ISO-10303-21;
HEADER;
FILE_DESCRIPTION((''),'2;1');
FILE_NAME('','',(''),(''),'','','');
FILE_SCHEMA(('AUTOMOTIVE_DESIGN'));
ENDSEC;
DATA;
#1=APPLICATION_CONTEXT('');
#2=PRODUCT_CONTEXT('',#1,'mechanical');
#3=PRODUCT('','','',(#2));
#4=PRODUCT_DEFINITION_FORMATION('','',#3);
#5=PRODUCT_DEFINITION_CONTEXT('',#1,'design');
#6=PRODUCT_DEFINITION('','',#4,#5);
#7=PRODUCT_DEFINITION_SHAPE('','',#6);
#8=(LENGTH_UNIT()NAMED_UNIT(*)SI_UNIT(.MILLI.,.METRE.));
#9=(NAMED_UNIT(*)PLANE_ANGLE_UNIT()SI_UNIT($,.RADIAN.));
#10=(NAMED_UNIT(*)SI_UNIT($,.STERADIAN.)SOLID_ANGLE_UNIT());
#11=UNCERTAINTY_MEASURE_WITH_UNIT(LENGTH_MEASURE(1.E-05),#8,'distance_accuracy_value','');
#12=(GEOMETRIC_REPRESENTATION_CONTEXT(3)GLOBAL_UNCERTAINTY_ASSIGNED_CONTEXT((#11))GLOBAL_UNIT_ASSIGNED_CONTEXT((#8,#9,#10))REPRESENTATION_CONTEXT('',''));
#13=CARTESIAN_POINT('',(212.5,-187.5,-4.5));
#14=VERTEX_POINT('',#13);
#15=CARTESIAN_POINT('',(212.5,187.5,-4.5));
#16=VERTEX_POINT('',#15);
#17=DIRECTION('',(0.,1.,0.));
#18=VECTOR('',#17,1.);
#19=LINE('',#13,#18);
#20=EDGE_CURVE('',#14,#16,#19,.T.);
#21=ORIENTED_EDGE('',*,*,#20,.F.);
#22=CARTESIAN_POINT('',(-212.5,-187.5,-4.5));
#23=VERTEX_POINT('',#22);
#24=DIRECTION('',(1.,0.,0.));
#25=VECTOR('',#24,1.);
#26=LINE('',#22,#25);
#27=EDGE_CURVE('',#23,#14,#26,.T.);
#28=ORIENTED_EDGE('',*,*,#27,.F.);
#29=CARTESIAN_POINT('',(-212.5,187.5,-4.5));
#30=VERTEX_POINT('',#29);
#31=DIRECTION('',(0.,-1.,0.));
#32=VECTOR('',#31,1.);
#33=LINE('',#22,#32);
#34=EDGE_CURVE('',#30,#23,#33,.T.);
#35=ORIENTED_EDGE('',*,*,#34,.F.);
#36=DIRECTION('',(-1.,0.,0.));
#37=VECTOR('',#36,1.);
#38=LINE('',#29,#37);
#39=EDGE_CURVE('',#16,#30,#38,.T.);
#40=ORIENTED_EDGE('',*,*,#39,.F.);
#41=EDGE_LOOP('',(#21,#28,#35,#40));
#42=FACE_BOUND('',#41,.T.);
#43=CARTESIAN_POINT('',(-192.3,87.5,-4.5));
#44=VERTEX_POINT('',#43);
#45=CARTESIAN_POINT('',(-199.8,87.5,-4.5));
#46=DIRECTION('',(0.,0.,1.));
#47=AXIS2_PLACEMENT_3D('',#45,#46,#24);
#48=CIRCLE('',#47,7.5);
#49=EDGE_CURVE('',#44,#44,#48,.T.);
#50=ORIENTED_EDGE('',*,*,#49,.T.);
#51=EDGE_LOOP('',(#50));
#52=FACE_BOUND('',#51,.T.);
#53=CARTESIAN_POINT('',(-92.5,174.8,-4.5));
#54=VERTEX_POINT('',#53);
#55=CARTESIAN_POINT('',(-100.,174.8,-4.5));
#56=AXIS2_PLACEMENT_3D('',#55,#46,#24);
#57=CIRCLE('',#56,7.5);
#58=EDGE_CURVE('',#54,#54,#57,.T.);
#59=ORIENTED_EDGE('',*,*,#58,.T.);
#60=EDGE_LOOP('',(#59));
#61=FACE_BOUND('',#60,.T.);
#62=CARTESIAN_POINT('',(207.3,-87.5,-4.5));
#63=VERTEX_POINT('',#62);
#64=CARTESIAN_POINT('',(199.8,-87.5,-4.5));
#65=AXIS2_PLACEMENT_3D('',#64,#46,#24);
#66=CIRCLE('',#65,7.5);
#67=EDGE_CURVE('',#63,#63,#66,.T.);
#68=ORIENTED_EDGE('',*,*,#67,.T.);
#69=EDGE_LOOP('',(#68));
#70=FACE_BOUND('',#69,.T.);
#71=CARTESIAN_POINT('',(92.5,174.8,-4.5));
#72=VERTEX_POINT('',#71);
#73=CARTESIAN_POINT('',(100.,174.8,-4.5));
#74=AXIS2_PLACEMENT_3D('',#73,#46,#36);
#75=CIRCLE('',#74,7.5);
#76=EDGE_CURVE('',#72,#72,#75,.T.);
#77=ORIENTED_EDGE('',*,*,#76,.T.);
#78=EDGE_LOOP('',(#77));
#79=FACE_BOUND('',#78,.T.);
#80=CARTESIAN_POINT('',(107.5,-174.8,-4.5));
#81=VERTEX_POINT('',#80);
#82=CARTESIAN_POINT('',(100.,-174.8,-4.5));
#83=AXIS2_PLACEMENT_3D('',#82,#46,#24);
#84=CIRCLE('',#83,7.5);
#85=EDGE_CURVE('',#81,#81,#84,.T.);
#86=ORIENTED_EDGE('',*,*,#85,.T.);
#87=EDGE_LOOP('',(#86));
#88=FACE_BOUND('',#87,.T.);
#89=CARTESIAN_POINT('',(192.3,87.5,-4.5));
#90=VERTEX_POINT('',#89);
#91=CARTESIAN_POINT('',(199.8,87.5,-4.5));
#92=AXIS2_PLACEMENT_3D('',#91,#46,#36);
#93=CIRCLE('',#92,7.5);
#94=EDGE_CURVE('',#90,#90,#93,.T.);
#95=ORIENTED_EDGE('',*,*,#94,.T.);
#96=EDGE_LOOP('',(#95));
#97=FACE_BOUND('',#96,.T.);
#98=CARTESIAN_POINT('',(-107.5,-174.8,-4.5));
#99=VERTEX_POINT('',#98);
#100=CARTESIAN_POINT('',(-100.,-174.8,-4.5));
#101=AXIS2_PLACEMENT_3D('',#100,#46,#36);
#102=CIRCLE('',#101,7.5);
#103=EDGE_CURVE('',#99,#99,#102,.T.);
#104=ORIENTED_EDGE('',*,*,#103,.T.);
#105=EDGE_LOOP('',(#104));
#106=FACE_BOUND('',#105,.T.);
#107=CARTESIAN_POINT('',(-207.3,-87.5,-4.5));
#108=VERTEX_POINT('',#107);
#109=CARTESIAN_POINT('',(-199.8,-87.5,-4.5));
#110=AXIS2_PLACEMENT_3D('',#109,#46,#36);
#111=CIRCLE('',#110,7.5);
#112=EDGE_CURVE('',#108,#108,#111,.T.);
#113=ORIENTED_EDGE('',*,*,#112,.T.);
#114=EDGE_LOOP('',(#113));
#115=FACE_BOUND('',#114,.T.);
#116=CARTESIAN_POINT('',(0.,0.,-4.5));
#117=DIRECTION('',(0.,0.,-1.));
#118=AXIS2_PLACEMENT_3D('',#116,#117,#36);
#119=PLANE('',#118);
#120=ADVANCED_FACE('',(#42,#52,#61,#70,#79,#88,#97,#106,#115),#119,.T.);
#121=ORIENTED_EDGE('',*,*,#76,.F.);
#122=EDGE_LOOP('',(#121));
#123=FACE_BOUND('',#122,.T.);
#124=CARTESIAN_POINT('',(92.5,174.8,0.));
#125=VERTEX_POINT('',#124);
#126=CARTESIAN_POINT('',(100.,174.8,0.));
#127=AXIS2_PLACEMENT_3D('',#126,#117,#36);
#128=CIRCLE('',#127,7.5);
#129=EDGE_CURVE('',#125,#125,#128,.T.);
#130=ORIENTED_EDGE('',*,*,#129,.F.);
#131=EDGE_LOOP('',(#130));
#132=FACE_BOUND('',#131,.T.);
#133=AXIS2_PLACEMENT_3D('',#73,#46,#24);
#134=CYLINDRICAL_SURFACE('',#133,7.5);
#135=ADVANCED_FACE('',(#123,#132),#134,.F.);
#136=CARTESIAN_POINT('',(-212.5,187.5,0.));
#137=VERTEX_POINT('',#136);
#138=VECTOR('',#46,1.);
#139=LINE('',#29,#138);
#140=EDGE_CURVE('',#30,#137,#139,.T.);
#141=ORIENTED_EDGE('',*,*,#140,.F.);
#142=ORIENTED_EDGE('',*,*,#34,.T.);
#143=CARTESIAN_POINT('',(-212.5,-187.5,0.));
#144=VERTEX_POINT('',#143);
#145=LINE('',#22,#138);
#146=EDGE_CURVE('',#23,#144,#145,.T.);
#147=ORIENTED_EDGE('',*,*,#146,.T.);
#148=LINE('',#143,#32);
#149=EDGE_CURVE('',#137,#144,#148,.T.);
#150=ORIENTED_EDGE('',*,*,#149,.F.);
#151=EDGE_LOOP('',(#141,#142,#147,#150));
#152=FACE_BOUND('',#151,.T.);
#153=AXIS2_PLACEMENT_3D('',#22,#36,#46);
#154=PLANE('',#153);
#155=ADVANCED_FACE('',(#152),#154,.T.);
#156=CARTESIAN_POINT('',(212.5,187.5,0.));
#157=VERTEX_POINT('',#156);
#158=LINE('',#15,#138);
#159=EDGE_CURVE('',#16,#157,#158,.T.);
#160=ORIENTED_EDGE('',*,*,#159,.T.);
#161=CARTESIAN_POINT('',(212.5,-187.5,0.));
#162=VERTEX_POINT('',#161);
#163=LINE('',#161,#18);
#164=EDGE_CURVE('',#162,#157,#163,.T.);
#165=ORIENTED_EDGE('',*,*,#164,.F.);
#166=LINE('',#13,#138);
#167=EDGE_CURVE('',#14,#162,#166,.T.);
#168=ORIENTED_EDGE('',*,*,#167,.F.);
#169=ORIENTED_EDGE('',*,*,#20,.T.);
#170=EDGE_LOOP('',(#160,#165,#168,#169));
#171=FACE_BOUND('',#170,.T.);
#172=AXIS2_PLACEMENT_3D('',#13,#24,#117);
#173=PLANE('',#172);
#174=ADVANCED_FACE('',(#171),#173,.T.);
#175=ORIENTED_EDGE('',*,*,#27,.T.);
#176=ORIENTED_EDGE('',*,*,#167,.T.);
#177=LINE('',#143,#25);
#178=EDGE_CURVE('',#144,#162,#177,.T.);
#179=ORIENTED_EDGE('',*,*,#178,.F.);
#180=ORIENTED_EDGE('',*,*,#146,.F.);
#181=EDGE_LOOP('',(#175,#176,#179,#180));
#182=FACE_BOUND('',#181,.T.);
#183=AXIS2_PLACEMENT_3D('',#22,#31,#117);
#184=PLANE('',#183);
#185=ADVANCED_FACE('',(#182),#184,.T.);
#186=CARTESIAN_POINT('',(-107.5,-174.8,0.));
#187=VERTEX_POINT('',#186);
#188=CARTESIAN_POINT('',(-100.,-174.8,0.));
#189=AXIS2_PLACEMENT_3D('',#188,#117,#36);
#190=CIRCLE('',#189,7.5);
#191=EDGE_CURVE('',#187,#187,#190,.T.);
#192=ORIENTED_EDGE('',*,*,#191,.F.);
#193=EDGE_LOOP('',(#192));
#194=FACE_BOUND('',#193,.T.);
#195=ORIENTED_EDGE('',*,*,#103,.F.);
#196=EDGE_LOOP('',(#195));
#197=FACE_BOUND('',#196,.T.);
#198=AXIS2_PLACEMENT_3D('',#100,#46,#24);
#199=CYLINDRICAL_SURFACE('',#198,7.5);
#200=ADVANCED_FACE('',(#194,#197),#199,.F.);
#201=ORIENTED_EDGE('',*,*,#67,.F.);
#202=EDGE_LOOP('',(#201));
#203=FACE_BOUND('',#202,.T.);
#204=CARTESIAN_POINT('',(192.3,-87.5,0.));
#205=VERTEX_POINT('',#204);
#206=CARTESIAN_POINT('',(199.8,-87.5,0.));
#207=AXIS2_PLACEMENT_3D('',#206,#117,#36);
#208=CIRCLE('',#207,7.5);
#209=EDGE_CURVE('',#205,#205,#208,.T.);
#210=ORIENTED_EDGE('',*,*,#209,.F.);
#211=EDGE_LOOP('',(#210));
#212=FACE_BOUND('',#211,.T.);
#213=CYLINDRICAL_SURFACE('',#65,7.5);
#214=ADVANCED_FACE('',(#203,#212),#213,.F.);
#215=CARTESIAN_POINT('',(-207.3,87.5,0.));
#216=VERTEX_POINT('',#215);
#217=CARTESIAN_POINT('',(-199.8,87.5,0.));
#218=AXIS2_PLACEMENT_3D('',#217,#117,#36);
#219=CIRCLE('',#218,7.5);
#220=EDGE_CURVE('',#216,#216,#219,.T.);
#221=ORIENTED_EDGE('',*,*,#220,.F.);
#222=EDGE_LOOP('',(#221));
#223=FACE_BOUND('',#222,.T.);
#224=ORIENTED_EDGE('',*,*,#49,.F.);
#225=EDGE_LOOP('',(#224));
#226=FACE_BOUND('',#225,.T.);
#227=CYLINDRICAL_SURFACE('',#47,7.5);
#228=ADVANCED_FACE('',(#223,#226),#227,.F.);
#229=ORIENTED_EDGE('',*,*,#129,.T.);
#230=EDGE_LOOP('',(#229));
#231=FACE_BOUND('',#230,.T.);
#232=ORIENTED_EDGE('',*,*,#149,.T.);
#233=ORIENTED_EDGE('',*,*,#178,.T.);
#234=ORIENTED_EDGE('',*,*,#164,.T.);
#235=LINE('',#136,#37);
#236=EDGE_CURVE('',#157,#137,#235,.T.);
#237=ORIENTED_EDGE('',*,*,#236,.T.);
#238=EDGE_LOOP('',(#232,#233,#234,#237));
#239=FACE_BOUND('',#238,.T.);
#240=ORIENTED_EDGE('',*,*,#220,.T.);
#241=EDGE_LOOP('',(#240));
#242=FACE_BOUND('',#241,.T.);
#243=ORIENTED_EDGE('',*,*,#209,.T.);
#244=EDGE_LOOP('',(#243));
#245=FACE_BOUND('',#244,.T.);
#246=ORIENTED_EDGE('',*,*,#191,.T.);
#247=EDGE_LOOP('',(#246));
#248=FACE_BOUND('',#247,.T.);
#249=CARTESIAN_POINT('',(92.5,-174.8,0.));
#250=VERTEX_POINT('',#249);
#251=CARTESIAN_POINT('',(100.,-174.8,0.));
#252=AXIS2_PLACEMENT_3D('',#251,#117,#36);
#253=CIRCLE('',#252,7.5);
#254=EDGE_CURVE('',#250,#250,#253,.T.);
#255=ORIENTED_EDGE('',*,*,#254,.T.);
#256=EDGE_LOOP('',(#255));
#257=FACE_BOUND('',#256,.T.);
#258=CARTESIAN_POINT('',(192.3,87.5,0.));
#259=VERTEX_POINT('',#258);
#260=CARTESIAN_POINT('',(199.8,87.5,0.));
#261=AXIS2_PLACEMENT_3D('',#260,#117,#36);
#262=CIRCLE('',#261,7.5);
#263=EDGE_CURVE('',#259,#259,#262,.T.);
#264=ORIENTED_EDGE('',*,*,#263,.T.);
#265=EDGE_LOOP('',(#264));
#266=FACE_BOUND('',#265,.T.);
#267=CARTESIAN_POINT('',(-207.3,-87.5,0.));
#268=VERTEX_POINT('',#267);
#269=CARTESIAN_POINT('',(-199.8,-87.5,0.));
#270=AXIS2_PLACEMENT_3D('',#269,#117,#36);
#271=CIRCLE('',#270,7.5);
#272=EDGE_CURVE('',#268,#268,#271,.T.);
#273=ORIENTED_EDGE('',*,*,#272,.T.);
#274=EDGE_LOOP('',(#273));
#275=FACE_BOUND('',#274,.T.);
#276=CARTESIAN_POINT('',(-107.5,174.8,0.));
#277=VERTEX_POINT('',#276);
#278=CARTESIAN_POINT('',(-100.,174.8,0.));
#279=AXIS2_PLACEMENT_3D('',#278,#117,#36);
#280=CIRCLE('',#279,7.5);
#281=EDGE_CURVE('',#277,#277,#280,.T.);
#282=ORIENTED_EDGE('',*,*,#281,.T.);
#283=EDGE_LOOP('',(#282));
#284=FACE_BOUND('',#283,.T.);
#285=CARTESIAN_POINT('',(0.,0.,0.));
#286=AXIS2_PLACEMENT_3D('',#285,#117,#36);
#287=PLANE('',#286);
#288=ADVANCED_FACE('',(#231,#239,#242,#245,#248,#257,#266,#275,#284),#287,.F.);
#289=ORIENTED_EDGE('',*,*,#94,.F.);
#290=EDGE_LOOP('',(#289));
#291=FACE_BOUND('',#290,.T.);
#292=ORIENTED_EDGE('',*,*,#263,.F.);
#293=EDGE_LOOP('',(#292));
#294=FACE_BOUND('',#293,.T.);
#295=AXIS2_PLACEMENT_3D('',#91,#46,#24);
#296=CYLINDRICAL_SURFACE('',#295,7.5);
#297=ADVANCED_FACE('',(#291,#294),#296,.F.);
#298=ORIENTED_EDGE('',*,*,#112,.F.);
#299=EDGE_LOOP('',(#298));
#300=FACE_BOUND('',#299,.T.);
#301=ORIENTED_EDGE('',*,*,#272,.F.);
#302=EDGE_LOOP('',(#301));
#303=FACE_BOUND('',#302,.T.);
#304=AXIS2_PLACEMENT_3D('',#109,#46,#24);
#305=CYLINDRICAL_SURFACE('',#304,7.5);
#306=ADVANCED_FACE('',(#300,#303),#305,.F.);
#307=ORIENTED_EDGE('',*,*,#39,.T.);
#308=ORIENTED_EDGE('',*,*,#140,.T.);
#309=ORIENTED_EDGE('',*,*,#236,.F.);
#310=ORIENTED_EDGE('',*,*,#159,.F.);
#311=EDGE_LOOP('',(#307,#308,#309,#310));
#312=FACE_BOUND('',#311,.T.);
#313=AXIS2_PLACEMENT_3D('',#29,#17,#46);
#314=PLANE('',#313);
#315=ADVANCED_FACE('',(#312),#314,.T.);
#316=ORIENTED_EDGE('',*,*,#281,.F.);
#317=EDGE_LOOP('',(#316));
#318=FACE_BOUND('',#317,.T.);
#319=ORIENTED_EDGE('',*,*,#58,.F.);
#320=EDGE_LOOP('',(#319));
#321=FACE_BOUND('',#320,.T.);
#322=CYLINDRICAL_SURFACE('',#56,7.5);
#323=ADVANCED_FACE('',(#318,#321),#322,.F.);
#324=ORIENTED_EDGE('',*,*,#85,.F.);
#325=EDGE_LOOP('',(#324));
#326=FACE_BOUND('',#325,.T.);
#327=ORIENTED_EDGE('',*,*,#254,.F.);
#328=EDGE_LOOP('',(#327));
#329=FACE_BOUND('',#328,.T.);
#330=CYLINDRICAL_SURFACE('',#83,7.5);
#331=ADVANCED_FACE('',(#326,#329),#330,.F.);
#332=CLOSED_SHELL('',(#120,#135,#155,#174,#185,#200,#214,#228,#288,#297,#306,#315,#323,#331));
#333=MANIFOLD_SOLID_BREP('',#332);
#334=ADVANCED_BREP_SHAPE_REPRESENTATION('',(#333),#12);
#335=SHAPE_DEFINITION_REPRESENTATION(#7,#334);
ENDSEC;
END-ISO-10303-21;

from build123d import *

# Parameters (mm, degrees)
SKETCH1_W               = 425
SKETCH1_H               = 375
BOSS_EXTRUDE1_DEPTH     = 4.5
SKETCH2_R               = 7.5
CUT_EXTRUDE1_DEPTH      = 1
CUT_EXTRUDE1_DEPTH_BACK = 5.5


with BuildPart() as part:
    # Sketch1 → Boss-Extrude1 (new body)
    with BuildSketch(Plane.XY):
        Rectangle(SKETCH1_W, SKETCH1_H)
    extrude(amount=-BOSS_EXTRUDE1_DEPTH)

    # Sketch2 → Cut-Extrude1 (cut, two sides)
    with BuildSketch(Plane.XY) as cut_extrude1_sk:
        with Locations((-199.8, 87.5)):
            Circle(SKETCH2_R)
        with Locations((-100, 174.8)):
            Circle(SKETCH2_R)
        with Locations((100, 174.8)):
            Circle(SKETCH2_R)
        with Locations((199.8, 87.5)):
            Circle(SKETCH2_R)
        with Locations((-100, -174.8)):
            Circle(SKETCH2_R)
        with Locations((-199.8, -87.5)):
            Circle(SKETCH2_R)
        with Locations((199.8, -87.5)):
            Circle(SKETCH2_R)
        with Locations((100, -174.8)):
            Circle(SKETCH2_R)
    extrude(amount=CUT_EXTRUDE1_DEPTH, mode=Mode.SUBTRACT)
    extrude(cut_extrude1_sk.sketch, amount=-CUT_EXTRUDE1_DEPTH_BACK, mode=Mode.SUBTRACT)


solid = part.part
